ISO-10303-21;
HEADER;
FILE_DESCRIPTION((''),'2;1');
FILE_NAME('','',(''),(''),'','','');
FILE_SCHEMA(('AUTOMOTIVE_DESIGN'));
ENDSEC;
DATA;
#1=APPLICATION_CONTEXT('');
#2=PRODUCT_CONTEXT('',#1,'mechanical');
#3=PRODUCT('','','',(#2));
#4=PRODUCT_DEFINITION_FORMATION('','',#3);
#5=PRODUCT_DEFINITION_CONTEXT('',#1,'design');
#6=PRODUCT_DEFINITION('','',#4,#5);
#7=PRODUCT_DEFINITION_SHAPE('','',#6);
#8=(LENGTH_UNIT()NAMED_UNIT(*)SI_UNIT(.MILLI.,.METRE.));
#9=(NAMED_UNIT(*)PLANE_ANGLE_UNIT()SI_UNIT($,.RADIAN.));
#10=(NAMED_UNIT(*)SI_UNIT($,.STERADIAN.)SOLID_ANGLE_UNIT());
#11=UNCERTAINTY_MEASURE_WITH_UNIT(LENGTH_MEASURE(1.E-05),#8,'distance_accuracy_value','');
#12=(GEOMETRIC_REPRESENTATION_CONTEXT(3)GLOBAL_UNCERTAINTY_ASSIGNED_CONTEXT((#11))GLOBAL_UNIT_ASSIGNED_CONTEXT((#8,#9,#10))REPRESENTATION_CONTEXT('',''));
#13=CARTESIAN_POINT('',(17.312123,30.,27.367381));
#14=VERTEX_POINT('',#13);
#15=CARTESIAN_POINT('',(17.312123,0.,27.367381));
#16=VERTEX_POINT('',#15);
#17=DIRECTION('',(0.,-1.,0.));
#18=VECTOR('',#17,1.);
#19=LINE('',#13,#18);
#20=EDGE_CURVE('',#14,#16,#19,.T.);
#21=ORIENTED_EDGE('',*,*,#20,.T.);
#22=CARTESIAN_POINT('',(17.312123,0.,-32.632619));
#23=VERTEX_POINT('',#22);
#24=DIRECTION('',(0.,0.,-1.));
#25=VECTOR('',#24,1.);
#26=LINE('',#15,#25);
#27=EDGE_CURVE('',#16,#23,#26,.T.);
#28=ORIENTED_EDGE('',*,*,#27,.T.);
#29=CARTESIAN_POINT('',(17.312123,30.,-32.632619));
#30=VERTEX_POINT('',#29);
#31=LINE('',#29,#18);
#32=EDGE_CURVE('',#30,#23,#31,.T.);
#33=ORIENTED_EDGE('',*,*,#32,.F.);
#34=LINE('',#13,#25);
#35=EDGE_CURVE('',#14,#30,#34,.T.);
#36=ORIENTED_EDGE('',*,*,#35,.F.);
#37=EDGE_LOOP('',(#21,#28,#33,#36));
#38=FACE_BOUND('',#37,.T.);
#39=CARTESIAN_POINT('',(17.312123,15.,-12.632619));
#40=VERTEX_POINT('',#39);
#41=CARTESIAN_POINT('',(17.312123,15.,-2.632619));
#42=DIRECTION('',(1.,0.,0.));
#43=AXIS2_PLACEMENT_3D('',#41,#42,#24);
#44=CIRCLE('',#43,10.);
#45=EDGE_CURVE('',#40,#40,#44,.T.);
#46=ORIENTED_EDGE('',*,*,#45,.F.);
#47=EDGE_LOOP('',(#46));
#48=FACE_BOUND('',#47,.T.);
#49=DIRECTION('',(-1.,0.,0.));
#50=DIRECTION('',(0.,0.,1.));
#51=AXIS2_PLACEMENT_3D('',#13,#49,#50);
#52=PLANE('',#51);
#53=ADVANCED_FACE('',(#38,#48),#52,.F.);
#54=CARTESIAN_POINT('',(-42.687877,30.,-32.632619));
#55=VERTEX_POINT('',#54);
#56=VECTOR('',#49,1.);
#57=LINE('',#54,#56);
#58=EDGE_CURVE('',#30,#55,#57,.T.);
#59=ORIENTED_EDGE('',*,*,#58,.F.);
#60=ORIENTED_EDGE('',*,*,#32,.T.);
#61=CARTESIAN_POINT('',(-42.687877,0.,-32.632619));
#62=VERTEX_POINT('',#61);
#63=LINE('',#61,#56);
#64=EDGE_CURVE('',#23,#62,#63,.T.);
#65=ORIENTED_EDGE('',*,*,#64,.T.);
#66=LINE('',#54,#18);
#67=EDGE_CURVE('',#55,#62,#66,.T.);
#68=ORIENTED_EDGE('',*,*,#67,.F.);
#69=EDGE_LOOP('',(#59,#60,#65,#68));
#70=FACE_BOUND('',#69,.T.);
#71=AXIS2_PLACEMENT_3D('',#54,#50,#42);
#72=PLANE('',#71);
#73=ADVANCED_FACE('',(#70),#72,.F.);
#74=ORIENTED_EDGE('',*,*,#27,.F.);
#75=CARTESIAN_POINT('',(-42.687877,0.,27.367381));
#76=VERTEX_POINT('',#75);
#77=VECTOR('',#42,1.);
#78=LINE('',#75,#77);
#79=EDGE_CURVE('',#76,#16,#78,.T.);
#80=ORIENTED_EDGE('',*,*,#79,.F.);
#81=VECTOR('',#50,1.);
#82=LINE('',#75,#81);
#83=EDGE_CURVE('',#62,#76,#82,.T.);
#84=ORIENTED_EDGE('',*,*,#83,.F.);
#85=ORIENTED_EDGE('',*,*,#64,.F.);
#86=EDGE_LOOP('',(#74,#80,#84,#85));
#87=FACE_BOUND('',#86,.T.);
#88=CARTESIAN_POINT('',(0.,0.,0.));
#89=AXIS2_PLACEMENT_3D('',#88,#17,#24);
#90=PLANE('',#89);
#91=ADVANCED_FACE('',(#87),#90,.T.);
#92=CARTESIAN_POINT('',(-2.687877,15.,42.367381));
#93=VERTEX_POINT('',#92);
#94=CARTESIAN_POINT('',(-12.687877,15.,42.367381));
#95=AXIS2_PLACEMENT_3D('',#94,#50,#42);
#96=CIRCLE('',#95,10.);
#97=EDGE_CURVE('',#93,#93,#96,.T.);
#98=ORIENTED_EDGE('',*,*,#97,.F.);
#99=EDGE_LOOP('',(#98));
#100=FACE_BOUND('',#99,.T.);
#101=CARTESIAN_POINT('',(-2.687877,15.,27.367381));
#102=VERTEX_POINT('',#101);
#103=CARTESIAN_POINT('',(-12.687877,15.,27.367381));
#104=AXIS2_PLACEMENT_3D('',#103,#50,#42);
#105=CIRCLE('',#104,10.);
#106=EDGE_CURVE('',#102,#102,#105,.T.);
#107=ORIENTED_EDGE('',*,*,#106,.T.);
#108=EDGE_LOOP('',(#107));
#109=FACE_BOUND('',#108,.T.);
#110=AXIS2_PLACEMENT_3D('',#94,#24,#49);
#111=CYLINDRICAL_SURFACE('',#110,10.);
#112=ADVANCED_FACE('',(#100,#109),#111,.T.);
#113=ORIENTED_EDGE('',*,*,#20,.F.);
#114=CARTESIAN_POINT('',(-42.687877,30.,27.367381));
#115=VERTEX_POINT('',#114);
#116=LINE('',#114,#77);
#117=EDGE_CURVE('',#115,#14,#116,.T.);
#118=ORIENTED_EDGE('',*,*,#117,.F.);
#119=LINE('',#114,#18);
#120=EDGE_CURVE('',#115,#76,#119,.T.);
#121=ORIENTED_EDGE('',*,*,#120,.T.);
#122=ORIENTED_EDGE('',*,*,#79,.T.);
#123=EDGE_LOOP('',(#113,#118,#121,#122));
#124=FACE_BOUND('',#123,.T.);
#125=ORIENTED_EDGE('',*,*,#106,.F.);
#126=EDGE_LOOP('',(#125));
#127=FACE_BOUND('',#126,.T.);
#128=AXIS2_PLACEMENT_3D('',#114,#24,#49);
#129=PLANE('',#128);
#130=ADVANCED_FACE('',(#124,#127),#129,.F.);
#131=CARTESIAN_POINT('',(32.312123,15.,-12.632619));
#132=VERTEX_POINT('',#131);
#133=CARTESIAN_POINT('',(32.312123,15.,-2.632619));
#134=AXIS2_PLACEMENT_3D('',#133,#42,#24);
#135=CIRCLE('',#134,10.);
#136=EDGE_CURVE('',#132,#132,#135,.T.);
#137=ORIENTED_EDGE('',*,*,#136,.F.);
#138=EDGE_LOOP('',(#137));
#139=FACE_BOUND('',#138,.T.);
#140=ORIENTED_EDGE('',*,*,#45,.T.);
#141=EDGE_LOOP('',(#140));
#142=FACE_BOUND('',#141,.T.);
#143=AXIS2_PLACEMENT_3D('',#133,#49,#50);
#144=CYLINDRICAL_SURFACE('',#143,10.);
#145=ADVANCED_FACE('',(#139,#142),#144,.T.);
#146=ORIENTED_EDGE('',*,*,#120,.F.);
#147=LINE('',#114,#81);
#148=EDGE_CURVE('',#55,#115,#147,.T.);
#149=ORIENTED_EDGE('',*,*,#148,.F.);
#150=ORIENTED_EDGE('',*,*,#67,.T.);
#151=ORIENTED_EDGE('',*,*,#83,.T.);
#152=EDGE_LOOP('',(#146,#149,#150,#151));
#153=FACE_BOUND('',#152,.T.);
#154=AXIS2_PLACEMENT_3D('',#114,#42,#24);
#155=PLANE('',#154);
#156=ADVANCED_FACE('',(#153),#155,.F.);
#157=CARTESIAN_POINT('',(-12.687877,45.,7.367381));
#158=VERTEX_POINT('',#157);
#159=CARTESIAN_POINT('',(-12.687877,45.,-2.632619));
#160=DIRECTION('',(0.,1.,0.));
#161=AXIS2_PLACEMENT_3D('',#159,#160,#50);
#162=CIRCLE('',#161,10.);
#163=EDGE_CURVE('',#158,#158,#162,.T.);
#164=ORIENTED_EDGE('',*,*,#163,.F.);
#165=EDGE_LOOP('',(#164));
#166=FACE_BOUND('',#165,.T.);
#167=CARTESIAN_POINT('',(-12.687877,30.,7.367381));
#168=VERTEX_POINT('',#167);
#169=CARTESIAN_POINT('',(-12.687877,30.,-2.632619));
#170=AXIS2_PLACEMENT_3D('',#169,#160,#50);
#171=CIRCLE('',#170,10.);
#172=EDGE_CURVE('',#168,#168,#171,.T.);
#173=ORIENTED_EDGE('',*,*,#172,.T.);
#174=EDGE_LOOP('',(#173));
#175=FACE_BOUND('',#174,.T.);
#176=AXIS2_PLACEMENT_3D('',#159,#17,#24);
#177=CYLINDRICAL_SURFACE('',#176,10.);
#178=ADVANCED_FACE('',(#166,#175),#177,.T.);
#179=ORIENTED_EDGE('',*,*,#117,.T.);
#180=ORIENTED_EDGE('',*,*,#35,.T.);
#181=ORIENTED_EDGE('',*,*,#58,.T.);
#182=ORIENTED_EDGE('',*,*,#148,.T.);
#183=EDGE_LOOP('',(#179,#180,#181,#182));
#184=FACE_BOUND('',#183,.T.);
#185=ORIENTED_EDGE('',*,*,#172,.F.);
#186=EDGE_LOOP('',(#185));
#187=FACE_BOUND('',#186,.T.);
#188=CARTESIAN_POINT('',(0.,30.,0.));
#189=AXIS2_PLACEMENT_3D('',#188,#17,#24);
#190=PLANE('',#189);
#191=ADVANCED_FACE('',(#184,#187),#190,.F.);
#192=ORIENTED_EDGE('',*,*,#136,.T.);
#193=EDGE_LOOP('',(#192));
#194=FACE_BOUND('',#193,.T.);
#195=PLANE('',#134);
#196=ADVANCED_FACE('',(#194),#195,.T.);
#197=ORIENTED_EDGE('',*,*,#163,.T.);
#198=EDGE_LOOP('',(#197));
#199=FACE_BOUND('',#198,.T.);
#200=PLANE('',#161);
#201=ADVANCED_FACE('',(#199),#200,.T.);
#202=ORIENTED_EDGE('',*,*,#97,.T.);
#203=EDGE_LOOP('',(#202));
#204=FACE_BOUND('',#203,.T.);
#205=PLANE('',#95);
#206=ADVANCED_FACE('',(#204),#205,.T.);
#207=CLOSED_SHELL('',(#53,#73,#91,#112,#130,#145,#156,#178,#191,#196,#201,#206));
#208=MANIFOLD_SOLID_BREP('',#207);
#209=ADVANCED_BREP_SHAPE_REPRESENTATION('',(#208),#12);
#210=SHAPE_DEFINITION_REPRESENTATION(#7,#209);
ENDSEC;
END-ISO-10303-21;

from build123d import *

# Parameters (mm, degrees)
SKETCH_1_W      = 60
SKETCH_1_H      = 60
EXTRUDE_1_DEPTH = 30
SKETCH_2_R      = 10
EXTRUDE_2_DEPTH = 15
SKETCH_4_R      = 10
EXTRUDE_3_DEPTH = 15
SKETCH_5_R      = 10
EXTRUDE_4_DEPTH = 15


with BuildPart() as part:
    # 스케치1 → 보스-돌출1 (new body)
    with BuildSketch(Plane(origin=(0, 0, 0), x_dir=(1, 0, 0), z_dir=(0, 1, 0))):
        with Locations((-12.687876758, 2.632618888)):
            Rectangle(SKETCH_1_W, SKETCH_1_H)
    extrude(amount=EXTRUDE_1_DEPTH)

    # 스케치2 → 보스-돌출2 (add)
    with BuildSketch(Plane(origin=(17.312123242, 0, 0), x_dir=(0, 0, -1), z_dir=(1, 0, 0))):
        with Locations((2.632618888, 15)):
            Circle(SKETCH_2_R)
    extrude(amount=EXTRUDE_2_DEPTH)

    # 스케치4 → 보스-돌출3 (add)
    with BuildSketch(Plane.XY.offset(27.367381112)):
        with Locations((-12.687876758, 15)):
            Circle(SKETCH_4_R)
    extrude(amount=EXTRUDE_3_DEPTH)

    # 스케치5 → 보스-돌출4 (add)
    with BuildSketch(Plane(origin=(0, 30, 0), x_dir=(1, 0, 0), z_dir=(0, 1, 0))):
        with Locations(Location((-12.687876758, 2.632618888, 0), (0, 0, 270))):
            Circle(SKETCH_5_R)
    extrude(amount=EXTRUDE_4_DEPTH)


solid = part.part
